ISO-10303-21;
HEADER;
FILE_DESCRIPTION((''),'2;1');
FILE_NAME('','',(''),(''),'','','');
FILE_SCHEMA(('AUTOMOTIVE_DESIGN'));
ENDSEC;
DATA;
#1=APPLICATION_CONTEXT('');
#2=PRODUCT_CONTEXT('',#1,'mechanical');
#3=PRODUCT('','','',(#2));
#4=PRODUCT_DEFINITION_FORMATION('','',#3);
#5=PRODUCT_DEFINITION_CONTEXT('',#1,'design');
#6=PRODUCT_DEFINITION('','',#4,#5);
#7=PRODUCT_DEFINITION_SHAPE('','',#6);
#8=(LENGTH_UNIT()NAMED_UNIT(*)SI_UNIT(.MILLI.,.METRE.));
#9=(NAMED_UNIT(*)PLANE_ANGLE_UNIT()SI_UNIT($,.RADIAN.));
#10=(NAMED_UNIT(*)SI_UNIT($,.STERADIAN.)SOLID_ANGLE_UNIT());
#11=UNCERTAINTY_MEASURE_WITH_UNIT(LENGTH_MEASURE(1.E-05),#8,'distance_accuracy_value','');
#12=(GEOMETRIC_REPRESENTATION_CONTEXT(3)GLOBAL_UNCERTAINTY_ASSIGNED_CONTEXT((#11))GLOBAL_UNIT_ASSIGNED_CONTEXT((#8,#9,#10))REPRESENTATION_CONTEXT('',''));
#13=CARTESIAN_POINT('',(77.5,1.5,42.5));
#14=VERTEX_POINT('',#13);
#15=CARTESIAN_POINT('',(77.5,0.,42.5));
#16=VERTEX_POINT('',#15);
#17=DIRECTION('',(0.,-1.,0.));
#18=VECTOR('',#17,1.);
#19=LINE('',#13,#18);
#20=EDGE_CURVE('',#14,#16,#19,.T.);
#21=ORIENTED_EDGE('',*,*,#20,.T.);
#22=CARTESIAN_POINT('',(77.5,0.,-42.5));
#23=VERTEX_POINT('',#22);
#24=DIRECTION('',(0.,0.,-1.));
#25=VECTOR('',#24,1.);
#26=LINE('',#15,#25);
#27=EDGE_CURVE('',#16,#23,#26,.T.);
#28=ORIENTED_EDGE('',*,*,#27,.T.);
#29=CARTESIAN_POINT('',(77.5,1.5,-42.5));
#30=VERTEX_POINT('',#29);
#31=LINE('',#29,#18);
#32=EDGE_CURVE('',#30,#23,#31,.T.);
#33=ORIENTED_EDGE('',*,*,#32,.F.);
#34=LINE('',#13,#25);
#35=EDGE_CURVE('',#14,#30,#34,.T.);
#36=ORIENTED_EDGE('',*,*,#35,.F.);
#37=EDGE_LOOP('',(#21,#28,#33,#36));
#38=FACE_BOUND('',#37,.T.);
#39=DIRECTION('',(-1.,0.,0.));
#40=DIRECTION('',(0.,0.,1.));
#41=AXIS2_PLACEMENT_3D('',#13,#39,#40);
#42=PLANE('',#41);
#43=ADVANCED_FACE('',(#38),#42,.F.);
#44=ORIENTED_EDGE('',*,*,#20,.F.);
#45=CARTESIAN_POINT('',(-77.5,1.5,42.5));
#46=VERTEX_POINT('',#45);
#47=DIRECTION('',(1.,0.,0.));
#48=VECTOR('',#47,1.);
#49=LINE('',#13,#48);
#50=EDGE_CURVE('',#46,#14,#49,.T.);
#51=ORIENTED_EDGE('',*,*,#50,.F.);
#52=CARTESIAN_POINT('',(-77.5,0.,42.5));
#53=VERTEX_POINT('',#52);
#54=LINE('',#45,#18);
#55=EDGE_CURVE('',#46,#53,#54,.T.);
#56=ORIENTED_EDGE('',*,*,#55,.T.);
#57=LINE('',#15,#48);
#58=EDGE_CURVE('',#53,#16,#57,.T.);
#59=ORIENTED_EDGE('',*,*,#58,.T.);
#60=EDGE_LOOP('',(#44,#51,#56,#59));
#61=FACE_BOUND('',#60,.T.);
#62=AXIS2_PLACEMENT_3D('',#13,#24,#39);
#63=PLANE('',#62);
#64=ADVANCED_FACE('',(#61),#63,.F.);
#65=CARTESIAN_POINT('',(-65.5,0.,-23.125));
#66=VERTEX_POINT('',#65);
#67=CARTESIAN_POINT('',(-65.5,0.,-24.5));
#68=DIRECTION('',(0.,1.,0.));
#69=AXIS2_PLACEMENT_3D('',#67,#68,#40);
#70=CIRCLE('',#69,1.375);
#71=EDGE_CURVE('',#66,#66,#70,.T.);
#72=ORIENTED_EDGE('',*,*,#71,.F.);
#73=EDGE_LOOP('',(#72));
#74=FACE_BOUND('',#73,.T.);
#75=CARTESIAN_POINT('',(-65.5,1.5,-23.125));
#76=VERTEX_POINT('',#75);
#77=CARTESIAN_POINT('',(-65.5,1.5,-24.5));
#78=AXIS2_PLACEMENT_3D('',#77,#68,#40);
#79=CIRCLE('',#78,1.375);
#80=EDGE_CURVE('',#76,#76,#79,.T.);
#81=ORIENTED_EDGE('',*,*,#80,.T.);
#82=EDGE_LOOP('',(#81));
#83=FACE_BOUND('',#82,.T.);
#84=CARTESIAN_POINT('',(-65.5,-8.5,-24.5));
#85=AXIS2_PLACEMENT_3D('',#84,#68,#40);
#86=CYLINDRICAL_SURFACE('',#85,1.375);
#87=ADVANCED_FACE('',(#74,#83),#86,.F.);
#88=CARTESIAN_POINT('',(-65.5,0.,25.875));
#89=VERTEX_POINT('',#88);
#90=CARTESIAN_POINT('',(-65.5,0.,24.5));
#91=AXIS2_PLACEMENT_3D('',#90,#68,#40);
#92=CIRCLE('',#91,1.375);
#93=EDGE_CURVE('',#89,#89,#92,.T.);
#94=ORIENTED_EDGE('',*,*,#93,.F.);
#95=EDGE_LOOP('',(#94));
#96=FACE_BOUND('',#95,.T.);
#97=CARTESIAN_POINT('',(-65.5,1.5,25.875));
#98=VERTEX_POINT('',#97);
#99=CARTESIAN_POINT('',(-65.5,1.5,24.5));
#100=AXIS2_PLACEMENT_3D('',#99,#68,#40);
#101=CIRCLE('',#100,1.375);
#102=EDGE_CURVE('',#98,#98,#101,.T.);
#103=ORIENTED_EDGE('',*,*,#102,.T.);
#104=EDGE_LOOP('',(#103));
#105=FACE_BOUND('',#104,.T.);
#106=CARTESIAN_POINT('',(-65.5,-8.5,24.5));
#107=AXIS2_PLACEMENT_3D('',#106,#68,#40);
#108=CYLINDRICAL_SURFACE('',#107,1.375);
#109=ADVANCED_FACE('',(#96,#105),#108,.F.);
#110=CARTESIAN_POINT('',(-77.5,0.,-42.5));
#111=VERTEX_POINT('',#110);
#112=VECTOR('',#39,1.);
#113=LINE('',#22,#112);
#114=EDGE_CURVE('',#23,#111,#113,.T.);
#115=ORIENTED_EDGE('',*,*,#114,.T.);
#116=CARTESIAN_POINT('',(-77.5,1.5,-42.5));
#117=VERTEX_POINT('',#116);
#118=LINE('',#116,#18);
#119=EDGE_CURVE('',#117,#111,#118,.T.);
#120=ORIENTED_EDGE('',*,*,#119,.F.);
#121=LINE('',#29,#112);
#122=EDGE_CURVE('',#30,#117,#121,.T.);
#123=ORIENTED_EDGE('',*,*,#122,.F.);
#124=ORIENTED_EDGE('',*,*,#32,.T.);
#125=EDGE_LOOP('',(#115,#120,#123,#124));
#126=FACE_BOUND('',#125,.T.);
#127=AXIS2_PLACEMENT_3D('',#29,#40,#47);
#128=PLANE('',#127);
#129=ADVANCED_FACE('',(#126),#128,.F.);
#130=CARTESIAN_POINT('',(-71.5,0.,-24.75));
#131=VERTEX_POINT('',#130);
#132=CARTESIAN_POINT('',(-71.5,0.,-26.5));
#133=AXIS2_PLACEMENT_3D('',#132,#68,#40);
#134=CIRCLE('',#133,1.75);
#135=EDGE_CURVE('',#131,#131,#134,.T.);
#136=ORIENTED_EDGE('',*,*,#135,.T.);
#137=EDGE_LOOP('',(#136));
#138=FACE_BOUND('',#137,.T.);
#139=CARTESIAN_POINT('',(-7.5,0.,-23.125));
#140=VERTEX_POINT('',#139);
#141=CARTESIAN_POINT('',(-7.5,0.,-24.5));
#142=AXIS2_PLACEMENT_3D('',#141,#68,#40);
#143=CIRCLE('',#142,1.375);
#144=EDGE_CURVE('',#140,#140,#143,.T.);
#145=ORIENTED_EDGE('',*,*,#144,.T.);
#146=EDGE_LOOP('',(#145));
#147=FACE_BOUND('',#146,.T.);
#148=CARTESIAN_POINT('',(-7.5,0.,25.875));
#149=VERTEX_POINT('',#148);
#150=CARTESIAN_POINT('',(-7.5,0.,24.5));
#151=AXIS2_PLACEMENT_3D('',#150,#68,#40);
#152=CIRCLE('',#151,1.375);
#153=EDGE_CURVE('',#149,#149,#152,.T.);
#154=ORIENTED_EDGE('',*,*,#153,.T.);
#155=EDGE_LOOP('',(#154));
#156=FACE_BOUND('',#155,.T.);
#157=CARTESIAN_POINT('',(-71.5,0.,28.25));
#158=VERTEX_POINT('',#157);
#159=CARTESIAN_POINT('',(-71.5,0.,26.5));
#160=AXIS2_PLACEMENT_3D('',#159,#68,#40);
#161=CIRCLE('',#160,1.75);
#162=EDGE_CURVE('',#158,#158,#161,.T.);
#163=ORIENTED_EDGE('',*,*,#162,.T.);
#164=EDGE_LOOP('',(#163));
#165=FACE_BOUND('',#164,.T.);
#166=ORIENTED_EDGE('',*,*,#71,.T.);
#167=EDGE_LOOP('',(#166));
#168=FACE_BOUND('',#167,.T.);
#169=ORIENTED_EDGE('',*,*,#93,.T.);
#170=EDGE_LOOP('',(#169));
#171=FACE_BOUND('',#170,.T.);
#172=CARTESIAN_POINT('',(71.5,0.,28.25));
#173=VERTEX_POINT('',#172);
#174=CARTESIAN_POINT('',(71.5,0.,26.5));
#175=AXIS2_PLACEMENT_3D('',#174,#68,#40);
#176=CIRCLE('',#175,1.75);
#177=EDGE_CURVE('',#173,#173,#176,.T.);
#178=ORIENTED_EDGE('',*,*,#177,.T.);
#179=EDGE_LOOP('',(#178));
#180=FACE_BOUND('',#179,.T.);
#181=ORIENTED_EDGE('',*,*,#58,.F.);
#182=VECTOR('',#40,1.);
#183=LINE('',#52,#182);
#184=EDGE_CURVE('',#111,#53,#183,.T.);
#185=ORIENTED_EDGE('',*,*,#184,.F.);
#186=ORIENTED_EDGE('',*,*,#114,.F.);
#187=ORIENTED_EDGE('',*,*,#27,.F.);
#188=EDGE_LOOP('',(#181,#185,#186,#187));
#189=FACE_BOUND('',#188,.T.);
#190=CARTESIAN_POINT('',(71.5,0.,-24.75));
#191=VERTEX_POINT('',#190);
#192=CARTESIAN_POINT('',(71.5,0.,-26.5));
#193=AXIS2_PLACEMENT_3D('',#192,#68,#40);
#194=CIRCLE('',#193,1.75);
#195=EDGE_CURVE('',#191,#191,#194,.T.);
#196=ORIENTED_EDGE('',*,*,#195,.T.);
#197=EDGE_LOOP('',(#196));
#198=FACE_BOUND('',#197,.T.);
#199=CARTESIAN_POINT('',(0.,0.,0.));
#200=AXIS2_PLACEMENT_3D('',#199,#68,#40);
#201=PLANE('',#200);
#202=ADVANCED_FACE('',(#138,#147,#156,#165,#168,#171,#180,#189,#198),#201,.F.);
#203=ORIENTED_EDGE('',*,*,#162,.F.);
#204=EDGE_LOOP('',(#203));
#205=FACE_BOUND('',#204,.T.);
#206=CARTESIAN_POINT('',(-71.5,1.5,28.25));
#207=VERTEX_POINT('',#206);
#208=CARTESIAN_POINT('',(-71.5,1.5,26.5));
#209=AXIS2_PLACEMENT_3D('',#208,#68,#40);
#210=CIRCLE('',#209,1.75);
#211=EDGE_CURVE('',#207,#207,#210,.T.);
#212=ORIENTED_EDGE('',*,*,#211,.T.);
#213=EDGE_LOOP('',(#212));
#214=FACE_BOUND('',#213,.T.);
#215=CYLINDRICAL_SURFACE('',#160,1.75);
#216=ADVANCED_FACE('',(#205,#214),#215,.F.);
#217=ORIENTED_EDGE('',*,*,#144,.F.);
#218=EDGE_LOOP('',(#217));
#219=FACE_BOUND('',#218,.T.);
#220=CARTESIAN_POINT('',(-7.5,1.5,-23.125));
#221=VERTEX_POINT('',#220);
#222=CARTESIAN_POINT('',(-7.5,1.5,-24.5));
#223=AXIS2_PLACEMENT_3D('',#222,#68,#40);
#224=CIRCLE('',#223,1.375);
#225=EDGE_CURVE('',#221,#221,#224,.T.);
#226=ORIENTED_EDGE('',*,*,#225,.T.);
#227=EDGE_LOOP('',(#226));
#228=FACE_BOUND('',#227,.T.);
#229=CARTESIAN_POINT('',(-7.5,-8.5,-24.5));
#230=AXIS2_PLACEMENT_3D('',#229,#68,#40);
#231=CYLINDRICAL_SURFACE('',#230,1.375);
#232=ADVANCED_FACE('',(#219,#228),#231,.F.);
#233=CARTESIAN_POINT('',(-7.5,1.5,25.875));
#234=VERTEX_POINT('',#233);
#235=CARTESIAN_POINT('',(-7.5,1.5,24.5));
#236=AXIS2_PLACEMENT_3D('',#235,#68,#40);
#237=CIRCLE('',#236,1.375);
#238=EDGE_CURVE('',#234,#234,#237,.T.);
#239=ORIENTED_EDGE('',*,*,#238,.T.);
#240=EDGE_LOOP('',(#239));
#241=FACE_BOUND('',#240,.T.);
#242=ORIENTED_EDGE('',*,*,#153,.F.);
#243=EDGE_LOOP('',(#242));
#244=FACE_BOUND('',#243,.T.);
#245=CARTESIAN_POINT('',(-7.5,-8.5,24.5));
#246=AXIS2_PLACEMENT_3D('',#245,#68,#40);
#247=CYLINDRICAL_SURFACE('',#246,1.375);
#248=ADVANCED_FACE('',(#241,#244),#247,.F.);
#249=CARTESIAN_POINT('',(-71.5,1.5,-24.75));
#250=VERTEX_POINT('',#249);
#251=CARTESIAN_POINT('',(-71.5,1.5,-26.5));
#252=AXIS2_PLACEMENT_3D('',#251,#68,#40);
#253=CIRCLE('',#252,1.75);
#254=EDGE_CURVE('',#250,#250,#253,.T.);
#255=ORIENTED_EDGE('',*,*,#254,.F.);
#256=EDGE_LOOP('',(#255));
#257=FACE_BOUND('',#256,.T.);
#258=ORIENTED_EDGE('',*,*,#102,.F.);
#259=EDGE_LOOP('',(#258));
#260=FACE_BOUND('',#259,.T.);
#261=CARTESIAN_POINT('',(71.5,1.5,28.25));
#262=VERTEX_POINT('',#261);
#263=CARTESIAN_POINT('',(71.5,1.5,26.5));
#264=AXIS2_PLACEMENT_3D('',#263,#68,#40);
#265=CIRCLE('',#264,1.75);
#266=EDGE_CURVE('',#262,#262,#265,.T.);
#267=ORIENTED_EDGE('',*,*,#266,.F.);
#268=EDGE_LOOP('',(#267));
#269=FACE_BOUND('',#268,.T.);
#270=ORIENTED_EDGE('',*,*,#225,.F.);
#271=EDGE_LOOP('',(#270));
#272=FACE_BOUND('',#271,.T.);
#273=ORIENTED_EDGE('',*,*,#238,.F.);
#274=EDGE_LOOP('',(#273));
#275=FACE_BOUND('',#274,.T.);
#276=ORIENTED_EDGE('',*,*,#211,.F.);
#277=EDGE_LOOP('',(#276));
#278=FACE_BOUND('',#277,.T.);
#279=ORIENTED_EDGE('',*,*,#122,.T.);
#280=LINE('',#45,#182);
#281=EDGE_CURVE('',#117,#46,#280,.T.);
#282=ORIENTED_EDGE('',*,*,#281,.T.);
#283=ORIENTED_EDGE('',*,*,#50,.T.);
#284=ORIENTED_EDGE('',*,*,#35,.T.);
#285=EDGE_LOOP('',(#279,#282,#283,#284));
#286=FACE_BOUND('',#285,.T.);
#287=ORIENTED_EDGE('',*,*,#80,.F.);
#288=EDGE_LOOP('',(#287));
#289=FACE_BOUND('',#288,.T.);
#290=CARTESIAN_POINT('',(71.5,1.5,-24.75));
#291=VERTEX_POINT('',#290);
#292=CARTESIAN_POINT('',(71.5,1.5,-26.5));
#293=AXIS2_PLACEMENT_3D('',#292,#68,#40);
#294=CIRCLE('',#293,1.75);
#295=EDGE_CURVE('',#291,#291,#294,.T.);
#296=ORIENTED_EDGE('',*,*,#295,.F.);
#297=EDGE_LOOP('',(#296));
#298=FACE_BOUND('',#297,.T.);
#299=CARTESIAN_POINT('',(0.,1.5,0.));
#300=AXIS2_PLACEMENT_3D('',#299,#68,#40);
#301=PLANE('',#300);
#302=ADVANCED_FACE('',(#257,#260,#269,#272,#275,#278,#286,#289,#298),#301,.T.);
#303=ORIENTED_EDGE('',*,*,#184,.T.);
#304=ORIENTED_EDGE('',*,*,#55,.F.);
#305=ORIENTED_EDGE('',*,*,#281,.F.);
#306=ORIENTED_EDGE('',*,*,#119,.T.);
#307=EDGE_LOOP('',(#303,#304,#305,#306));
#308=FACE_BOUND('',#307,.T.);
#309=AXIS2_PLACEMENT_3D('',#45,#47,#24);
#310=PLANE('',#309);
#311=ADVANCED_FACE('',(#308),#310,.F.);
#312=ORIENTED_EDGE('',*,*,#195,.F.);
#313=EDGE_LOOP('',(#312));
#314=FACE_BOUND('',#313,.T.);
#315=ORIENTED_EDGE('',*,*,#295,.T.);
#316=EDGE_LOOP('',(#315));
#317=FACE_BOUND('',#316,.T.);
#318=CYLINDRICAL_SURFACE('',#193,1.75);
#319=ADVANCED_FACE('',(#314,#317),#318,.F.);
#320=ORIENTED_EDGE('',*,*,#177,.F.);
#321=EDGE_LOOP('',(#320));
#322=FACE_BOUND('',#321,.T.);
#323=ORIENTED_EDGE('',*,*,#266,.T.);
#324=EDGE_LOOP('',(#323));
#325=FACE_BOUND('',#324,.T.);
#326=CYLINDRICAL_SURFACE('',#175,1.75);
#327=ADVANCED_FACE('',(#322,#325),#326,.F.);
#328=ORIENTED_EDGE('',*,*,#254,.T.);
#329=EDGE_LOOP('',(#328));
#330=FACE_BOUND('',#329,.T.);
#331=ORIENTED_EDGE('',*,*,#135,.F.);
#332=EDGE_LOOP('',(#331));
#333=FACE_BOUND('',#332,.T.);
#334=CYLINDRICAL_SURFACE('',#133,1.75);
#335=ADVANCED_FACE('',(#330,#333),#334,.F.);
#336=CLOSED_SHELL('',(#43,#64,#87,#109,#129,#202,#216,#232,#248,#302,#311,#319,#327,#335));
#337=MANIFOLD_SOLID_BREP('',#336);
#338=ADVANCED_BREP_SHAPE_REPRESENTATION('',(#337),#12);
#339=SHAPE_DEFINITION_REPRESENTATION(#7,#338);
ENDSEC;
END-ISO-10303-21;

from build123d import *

# Parameters (mm, degrees)
SKETCH_1_W          = 155
SKETCH_1_H          = 85
EXTRUDE_1_DEPTH     = 1.5
SKETCH_2_R          = 1.75
CUT_EXTRUDE_1_DEPTH = 89.401074654
SKETCH_3_R          = 1.375
CUT_EXTRUDE_2_DEPTH = 10


with BuildPart() as part:
    # Эскиз1 → Бобышка-Вытянуть1 (new body)
    with BuildSketch(Plane(origin=(0, 0, 0), x_dir=(1, 0, 0), z_dir=(0, 1, 0))):
        Rectangle(SKETCH_1_W, SKETCH_1_H)
    extrude(amount=EXTRUDE_1_DEPTH)

    # Эскиз2 → Вырез-Вытянуть1 (cut, through all)
    with BuildSketch(Plane(origin=(0, 1.5, 0), x_dir=(1, 0, 0), z_dir=(0, 1, 0))):
        with Locations(Location((-71.5, 26.5, 0), (0, 0, 270))):
            Circle(SKETCH_2_R)
        with Locations(Location((-71.5, -26.5, 0), (0, 0, 270))):
            Circle(SKETCH_2_R)
        with Locations(Location((71.5, -26.5, 0), (0, 0, 270))):
            Circle(SKETCH_2_R)
        with Locations(Location((71.5, 26.5, 0), (0, 0, 270))):
            Circle(SKETCH_2_R)
    extrude(amount=-CUT_EXTRUDE_1_DEPTH, mode=Mode.SUBTRACT)

    # Эскиз3 → Вырез-Вытянуть2 (cut)
    with BuildSketch(Plane(origin=(0, 1.5, 0), x_dir=(1, 0, 0), z_dir=(0, 1, 0))):
        with Locations(Location((-65.5, 24.5, 0), (0, 0, 270))):
            Circle(SKETCH_3_R)
        with Locations(Location((-65.5, -24.5, 0), (0, 0, 270))):
            Circle(SKETCH_3_R)
        with Locations(Location((-7.5, 24.5, 0), (0, 0, 270))):
            Circle(SKETCH_3_R)
        with Locations(Location((-7.5, -24.5, 0), (0, 0, 270))):
            Circle(SKETCH_3_R)
    extrude(amount=-CUT_EXTRUDE_2_DEPTH, mode=Mode.SUBTRACT)


solid = part.part
